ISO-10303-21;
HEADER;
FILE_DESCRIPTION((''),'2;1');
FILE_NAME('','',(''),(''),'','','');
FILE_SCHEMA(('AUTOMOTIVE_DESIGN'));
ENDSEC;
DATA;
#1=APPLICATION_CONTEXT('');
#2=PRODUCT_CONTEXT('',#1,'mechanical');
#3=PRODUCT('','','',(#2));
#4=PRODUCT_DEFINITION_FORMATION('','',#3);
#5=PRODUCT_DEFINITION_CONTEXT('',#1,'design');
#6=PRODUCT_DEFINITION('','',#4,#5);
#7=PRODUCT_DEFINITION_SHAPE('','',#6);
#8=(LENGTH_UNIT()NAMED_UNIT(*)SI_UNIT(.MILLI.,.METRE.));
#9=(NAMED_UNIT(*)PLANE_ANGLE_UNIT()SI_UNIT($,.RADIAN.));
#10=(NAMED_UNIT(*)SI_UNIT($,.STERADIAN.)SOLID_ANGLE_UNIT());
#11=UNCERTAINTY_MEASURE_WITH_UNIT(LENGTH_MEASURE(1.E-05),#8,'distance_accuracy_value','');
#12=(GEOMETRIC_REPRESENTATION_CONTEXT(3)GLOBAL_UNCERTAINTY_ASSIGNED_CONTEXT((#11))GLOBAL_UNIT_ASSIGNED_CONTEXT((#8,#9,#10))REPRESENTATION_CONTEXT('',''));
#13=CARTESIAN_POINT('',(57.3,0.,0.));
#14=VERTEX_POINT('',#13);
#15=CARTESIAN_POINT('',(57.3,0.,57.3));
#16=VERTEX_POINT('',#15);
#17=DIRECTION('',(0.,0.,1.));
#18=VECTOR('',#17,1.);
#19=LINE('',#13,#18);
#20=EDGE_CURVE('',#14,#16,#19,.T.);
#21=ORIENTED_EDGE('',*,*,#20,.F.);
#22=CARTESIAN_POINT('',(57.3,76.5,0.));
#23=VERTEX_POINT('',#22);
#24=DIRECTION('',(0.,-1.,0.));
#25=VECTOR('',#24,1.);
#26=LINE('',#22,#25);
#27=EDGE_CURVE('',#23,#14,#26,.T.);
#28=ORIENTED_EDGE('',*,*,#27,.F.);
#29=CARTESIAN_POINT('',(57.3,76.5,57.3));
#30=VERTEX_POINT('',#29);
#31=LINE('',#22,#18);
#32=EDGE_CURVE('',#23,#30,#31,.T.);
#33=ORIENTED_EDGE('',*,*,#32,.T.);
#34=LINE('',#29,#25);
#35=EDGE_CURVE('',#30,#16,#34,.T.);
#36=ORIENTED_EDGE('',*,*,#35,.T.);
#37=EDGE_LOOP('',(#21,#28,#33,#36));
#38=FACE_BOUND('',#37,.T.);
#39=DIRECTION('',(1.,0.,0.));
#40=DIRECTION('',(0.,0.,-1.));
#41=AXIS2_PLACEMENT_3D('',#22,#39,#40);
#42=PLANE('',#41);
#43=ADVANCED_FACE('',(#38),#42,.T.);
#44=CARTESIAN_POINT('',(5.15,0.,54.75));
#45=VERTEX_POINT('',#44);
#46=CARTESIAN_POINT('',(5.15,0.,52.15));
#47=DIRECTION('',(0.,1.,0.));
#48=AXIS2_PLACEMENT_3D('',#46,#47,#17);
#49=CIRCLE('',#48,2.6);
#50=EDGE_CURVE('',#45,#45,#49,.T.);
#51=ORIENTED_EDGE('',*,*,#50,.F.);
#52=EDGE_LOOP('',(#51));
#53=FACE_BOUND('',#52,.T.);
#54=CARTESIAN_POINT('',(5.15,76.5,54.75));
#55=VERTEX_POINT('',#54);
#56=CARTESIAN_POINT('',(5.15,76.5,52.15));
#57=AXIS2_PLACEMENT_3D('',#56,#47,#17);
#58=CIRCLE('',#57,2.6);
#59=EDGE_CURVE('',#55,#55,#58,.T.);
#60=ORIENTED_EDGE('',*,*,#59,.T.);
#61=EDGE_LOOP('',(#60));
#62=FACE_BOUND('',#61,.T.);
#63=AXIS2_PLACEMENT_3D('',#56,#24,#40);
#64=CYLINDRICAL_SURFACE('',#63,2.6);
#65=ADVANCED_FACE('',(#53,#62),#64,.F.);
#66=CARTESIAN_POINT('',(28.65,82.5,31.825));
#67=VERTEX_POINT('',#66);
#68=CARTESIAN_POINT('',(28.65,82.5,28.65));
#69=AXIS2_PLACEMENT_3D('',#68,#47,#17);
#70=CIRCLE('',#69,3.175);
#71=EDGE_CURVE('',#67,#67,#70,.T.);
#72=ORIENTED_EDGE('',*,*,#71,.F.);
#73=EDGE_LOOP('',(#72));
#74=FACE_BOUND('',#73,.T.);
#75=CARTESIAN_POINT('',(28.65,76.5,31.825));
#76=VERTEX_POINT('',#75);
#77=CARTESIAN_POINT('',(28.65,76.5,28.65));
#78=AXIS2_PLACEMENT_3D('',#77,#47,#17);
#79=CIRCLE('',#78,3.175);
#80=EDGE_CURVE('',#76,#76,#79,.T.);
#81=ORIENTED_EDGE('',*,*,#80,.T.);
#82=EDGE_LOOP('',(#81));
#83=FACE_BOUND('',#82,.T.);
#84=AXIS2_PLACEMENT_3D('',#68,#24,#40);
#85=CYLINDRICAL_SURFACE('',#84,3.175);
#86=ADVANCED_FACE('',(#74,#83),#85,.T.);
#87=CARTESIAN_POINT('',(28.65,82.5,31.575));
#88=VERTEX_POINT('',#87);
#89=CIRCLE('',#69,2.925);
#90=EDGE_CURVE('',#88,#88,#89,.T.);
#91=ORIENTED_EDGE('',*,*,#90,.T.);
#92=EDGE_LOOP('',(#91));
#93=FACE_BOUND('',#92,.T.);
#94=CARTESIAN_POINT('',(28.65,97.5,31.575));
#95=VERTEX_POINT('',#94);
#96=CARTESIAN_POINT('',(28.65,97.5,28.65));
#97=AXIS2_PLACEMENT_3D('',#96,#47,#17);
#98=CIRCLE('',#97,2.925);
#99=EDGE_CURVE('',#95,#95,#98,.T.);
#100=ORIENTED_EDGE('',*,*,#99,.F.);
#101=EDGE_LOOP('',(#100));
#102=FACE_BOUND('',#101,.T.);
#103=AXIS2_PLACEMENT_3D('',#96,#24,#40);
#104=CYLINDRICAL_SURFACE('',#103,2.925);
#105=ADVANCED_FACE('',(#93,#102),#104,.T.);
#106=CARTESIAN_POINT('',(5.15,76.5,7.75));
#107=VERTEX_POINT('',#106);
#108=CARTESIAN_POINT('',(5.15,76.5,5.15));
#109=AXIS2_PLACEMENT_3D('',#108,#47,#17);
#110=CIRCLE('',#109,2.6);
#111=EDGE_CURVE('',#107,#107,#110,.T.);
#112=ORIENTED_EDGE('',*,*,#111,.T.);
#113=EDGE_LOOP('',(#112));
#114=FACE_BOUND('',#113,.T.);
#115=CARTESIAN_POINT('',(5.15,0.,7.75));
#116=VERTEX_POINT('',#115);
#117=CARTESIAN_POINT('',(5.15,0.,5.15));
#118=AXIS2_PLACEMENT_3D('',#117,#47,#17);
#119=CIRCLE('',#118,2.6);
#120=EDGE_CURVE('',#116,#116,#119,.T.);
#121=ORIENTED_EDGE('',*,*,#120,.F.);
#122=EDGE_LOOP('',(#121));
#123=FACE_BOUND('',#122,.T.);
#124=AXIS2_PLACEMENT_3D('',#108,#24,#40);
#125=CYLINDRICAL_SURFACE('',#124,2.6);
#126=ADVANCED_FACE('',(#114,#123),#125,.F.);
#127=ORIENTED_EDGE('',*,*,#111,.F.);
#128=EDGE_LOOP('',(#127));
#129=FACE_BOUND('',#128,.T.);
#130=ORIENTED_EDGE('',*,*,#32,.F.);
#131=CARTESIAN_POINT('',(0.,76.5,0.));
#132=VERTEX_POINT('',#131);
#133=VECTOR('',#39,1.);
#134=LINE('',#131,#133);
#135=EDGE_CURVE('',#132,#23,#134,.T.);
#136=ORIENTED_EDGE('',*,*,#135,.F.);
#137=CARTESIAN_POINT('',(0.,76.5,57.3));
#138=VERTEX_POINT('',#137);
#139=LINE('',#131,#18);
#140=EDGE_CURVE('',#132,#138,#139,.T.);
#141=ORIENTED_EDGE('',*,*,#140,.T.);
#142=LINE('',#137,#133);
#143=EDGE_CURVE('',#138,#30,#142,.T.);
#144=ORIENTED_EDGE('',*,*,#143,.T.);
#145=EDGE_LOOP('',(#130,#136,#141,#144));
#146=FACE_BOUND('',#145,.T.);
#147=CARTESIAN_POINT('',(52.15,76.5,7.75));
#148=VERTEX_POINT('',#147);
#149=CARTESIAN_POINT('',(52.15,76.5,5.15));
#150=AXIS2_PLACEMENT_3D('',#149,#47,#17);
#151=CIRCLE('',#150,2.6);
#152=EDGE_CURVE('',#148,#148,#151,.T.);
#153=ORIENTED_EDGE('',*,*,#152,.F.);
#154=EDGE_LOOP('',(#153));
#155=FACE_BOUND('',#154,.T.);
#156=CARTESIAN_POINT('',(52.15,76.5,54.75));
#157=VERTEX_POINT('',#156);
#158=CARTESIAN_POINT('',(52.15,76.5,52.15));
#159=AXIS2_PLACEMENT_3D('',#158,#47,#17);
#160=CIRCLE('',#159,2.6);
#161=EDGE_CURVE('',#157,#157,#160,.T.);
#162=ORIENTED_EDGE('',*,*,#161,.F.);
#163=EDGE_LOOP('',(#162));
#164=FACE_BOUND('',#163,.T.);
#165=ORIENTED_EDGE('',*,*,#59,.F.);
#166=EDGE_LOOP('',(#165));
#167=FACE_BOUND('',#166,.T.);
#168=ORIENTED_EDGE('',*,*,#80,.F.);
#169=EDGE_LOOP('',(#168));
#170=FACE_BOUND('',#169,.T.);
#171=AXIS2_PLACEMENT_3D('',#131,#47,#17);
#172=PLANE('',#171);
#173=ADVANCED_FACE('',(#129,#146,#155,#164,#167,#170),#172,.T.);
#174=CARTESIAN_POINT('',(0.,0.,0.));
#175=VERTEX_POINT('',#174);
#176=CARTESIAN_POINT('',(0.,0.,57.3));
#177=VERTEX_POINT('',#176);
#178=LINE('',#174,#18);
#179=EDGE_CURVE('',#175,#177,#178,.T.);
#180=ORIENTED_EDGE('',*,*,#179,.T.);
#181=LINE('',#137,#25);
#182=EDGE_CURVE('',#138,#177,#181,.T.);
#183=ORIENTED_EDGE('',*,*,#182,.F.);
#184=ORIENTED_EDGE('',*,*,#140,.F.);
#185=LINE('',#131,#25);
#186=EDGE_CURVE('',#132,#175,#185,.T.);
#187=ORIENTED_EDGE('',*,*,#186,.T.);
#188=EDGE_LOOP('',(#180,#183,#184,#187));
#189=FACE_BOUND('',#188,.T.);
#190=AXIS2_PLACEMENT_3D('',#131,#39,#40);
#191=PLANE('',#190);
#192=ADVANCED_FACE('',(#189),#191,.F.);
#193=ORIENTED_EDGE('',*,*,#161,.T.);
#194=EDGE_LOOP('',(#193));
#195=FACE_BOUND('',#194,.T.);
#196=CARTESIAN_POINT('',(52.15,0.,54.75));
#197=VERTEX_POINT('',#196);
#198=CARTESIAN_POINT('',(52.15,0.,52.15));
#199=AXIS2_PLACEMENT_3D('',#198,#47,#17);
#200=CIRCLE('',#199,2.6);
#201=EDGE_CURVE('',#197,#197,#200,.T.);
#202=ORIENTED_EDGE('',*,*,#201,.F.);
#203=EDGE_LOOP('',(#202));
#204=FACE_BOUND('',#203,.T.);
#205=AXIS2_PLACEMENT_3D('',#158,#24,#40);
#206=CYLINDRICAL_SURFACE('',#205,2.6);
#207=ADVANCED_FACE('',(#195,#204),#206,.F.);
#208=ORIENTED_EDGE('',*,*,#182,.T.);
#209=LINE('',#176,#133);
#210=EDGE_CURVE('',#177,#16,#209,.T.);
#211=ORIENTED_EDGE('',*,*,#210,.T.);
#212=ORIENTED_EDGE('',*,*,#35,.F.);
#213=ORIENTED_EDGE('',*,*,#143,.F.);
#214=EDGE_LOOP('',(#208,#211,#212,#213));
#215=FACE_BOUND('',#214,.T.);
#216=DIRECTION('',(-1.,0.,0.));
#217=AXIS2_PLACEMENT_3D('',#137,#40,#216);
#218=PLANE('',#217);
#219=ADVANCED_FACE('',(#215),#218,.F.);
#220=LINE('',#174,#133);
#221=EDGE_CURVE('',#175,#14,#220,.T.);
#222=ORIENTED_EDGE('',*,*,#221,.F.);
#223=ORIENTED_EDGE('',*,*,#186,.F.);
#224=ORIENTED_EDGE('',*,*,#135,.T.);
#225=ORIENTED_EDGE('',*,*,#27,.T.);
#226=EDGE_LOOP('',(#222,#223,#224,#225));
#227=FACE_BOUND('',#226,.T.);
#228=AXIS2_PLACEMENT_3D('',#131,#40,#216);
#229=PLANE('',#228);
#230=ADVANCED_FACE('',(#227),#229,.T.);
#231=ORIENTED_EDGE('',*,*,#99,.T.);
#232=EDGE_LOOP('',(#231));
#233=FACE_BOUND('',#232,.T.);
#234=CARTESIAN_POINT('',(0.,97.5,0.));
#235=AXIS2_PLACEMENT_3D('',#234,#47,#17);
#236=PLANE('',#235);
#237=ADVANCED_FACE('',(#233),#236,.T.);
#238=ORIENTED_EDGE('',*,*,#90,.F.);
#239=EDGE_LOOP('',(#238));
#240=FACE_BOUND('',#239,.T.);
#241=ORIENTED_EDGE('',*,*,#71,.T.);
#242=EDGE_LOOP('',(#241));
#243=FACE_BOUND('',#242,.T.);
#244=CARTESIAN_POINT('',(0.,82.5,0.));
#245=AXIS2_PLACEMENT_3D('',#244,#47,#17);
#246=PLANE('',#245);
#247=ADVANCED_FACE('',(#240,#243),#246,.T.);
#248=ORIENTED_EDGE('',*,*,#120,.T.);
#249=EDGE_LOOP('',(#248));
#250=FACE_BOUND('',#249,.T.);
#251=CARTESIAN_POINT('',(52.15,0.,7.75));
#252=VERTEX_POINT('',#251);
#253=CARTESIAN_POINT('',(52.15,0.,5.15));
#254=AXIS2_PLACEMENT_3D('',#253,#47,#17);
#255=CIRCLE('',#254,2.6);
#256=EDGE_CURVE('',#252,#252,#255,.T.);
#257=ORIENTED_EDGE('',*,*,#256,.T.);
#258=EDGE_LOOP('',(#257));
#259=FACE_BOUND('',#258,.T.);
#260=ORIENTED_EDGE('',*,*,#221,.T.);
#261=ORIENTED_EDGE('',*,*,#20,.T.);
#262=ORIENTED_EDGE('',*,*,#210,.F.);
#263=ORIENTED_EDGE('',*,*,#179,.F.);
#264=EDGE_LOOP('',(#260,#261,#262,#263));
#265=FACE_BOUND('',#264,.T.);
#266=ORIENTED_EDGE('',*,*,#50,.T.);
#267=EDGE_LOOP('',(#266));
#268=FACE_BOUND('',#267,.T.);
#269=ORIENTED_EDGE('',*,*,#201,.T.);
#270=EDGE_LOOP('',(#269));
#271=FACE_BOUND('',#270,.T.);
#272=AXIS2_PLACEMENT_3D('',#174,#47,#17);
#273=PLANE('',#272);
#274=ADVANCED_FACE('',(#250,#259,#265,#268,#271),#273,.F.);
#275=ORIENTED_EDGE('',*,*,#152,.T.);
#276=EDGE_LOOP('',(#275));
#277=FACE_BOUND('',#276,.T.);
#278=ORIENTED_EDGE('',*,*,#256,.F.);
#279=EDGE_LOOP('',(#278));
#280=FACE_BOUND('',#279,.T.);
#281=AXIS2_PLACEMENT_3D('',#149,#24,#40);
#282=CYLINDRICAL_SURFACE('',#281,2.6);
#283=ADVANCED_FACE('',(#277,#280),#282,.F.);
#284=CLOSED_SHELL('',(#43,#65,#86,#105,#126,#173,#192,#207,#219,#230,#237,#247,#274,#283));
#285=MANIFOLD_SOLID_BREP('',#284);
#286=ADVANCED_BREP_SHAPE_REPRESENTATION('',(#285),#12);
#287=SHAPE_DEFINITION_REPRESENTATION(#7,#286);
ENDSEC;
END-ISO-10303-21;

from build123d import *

# Parameters (mm, degrees)
SKETCH1_W           = 57.3
SKETCH1_H           = 57.3
SKETCH1_R           = 2.6
SKETCH1_R_2         = 3.175
BOSS_EXTRUDE1_DEPTH = 76.5
SKETCH1_4_R         = 3.175
SKETCH1_4_R_2       = 2.925
BOSS_EXTRUDE2_DEPTH = 82.5
SKETCH1_5_R         = 2.925
BOSS_EXTRUDE3_DEPTH = 97.5


with BuildPart() as part:
    # Sketch1 → Boss-Extrude1 (new body)
    with BuildSketch(Plane(origin=(0, 0, 0), x_dir=(1, 0, 0), z_dir=(0, 1, 0))):
        with Locations((28.65, -28.65)):
            Rectangle(SKETCH1_W, SKETCH1_H)
        with Locations((5.15, -52.15)):
            Circle(SKETCH1_R, mode=Mode.SUBTRACT)
        with Locations((28.65, -28.65)):
            Circle(SKETCH1_R_2, mode=Mode.SUBTRACT)
        with Locations((52.15, -52.15)):
            Circle(SKETCH1_R, mode=Mode.SUBTRACT)
        with Locations((5.15, -5.15)):
            Circle(SKETCH1_R, mode=Mode.SUBTRACT)
        with Locations((52.15, -5.15)):
            Circle(SKETCH1_R, mode=Mode.SUBTRACT)
    extrude(amount=BOSS_EXTRUDE1_DEPTH)

    # Sketch1<4> → Boss-Extrude2 (add)
    with BuildSketch(Plane(origin=(0, 0, 0), x_dir=(1, 0, 0), z_dir=(0, 1, 0))):
        with Locations((28.65, -28.65)):
            Circle(SKETCH1_4_R)
        with Locations((28.65, -28.65)):
            Circle(SKETCH1_4_R_2, mode=Mode.SUBTRACT)
    extrude(amount=BOSS_EXTRUDE2_DEPTH)

    # Sketch1<5> → Boss-Extrude3 (add)
    with BuildSketch(Plane(origin=(0, 0, 0), x_dir=(1, 0, 0), z_dir=(0, 1, 0))):
        with Locations((28.65, -28.65)):
            Circle(SKETCH1_5_R)
    extrude(amount=BOSS_EXTRUDE3_DEPTH)


solid = part.part
